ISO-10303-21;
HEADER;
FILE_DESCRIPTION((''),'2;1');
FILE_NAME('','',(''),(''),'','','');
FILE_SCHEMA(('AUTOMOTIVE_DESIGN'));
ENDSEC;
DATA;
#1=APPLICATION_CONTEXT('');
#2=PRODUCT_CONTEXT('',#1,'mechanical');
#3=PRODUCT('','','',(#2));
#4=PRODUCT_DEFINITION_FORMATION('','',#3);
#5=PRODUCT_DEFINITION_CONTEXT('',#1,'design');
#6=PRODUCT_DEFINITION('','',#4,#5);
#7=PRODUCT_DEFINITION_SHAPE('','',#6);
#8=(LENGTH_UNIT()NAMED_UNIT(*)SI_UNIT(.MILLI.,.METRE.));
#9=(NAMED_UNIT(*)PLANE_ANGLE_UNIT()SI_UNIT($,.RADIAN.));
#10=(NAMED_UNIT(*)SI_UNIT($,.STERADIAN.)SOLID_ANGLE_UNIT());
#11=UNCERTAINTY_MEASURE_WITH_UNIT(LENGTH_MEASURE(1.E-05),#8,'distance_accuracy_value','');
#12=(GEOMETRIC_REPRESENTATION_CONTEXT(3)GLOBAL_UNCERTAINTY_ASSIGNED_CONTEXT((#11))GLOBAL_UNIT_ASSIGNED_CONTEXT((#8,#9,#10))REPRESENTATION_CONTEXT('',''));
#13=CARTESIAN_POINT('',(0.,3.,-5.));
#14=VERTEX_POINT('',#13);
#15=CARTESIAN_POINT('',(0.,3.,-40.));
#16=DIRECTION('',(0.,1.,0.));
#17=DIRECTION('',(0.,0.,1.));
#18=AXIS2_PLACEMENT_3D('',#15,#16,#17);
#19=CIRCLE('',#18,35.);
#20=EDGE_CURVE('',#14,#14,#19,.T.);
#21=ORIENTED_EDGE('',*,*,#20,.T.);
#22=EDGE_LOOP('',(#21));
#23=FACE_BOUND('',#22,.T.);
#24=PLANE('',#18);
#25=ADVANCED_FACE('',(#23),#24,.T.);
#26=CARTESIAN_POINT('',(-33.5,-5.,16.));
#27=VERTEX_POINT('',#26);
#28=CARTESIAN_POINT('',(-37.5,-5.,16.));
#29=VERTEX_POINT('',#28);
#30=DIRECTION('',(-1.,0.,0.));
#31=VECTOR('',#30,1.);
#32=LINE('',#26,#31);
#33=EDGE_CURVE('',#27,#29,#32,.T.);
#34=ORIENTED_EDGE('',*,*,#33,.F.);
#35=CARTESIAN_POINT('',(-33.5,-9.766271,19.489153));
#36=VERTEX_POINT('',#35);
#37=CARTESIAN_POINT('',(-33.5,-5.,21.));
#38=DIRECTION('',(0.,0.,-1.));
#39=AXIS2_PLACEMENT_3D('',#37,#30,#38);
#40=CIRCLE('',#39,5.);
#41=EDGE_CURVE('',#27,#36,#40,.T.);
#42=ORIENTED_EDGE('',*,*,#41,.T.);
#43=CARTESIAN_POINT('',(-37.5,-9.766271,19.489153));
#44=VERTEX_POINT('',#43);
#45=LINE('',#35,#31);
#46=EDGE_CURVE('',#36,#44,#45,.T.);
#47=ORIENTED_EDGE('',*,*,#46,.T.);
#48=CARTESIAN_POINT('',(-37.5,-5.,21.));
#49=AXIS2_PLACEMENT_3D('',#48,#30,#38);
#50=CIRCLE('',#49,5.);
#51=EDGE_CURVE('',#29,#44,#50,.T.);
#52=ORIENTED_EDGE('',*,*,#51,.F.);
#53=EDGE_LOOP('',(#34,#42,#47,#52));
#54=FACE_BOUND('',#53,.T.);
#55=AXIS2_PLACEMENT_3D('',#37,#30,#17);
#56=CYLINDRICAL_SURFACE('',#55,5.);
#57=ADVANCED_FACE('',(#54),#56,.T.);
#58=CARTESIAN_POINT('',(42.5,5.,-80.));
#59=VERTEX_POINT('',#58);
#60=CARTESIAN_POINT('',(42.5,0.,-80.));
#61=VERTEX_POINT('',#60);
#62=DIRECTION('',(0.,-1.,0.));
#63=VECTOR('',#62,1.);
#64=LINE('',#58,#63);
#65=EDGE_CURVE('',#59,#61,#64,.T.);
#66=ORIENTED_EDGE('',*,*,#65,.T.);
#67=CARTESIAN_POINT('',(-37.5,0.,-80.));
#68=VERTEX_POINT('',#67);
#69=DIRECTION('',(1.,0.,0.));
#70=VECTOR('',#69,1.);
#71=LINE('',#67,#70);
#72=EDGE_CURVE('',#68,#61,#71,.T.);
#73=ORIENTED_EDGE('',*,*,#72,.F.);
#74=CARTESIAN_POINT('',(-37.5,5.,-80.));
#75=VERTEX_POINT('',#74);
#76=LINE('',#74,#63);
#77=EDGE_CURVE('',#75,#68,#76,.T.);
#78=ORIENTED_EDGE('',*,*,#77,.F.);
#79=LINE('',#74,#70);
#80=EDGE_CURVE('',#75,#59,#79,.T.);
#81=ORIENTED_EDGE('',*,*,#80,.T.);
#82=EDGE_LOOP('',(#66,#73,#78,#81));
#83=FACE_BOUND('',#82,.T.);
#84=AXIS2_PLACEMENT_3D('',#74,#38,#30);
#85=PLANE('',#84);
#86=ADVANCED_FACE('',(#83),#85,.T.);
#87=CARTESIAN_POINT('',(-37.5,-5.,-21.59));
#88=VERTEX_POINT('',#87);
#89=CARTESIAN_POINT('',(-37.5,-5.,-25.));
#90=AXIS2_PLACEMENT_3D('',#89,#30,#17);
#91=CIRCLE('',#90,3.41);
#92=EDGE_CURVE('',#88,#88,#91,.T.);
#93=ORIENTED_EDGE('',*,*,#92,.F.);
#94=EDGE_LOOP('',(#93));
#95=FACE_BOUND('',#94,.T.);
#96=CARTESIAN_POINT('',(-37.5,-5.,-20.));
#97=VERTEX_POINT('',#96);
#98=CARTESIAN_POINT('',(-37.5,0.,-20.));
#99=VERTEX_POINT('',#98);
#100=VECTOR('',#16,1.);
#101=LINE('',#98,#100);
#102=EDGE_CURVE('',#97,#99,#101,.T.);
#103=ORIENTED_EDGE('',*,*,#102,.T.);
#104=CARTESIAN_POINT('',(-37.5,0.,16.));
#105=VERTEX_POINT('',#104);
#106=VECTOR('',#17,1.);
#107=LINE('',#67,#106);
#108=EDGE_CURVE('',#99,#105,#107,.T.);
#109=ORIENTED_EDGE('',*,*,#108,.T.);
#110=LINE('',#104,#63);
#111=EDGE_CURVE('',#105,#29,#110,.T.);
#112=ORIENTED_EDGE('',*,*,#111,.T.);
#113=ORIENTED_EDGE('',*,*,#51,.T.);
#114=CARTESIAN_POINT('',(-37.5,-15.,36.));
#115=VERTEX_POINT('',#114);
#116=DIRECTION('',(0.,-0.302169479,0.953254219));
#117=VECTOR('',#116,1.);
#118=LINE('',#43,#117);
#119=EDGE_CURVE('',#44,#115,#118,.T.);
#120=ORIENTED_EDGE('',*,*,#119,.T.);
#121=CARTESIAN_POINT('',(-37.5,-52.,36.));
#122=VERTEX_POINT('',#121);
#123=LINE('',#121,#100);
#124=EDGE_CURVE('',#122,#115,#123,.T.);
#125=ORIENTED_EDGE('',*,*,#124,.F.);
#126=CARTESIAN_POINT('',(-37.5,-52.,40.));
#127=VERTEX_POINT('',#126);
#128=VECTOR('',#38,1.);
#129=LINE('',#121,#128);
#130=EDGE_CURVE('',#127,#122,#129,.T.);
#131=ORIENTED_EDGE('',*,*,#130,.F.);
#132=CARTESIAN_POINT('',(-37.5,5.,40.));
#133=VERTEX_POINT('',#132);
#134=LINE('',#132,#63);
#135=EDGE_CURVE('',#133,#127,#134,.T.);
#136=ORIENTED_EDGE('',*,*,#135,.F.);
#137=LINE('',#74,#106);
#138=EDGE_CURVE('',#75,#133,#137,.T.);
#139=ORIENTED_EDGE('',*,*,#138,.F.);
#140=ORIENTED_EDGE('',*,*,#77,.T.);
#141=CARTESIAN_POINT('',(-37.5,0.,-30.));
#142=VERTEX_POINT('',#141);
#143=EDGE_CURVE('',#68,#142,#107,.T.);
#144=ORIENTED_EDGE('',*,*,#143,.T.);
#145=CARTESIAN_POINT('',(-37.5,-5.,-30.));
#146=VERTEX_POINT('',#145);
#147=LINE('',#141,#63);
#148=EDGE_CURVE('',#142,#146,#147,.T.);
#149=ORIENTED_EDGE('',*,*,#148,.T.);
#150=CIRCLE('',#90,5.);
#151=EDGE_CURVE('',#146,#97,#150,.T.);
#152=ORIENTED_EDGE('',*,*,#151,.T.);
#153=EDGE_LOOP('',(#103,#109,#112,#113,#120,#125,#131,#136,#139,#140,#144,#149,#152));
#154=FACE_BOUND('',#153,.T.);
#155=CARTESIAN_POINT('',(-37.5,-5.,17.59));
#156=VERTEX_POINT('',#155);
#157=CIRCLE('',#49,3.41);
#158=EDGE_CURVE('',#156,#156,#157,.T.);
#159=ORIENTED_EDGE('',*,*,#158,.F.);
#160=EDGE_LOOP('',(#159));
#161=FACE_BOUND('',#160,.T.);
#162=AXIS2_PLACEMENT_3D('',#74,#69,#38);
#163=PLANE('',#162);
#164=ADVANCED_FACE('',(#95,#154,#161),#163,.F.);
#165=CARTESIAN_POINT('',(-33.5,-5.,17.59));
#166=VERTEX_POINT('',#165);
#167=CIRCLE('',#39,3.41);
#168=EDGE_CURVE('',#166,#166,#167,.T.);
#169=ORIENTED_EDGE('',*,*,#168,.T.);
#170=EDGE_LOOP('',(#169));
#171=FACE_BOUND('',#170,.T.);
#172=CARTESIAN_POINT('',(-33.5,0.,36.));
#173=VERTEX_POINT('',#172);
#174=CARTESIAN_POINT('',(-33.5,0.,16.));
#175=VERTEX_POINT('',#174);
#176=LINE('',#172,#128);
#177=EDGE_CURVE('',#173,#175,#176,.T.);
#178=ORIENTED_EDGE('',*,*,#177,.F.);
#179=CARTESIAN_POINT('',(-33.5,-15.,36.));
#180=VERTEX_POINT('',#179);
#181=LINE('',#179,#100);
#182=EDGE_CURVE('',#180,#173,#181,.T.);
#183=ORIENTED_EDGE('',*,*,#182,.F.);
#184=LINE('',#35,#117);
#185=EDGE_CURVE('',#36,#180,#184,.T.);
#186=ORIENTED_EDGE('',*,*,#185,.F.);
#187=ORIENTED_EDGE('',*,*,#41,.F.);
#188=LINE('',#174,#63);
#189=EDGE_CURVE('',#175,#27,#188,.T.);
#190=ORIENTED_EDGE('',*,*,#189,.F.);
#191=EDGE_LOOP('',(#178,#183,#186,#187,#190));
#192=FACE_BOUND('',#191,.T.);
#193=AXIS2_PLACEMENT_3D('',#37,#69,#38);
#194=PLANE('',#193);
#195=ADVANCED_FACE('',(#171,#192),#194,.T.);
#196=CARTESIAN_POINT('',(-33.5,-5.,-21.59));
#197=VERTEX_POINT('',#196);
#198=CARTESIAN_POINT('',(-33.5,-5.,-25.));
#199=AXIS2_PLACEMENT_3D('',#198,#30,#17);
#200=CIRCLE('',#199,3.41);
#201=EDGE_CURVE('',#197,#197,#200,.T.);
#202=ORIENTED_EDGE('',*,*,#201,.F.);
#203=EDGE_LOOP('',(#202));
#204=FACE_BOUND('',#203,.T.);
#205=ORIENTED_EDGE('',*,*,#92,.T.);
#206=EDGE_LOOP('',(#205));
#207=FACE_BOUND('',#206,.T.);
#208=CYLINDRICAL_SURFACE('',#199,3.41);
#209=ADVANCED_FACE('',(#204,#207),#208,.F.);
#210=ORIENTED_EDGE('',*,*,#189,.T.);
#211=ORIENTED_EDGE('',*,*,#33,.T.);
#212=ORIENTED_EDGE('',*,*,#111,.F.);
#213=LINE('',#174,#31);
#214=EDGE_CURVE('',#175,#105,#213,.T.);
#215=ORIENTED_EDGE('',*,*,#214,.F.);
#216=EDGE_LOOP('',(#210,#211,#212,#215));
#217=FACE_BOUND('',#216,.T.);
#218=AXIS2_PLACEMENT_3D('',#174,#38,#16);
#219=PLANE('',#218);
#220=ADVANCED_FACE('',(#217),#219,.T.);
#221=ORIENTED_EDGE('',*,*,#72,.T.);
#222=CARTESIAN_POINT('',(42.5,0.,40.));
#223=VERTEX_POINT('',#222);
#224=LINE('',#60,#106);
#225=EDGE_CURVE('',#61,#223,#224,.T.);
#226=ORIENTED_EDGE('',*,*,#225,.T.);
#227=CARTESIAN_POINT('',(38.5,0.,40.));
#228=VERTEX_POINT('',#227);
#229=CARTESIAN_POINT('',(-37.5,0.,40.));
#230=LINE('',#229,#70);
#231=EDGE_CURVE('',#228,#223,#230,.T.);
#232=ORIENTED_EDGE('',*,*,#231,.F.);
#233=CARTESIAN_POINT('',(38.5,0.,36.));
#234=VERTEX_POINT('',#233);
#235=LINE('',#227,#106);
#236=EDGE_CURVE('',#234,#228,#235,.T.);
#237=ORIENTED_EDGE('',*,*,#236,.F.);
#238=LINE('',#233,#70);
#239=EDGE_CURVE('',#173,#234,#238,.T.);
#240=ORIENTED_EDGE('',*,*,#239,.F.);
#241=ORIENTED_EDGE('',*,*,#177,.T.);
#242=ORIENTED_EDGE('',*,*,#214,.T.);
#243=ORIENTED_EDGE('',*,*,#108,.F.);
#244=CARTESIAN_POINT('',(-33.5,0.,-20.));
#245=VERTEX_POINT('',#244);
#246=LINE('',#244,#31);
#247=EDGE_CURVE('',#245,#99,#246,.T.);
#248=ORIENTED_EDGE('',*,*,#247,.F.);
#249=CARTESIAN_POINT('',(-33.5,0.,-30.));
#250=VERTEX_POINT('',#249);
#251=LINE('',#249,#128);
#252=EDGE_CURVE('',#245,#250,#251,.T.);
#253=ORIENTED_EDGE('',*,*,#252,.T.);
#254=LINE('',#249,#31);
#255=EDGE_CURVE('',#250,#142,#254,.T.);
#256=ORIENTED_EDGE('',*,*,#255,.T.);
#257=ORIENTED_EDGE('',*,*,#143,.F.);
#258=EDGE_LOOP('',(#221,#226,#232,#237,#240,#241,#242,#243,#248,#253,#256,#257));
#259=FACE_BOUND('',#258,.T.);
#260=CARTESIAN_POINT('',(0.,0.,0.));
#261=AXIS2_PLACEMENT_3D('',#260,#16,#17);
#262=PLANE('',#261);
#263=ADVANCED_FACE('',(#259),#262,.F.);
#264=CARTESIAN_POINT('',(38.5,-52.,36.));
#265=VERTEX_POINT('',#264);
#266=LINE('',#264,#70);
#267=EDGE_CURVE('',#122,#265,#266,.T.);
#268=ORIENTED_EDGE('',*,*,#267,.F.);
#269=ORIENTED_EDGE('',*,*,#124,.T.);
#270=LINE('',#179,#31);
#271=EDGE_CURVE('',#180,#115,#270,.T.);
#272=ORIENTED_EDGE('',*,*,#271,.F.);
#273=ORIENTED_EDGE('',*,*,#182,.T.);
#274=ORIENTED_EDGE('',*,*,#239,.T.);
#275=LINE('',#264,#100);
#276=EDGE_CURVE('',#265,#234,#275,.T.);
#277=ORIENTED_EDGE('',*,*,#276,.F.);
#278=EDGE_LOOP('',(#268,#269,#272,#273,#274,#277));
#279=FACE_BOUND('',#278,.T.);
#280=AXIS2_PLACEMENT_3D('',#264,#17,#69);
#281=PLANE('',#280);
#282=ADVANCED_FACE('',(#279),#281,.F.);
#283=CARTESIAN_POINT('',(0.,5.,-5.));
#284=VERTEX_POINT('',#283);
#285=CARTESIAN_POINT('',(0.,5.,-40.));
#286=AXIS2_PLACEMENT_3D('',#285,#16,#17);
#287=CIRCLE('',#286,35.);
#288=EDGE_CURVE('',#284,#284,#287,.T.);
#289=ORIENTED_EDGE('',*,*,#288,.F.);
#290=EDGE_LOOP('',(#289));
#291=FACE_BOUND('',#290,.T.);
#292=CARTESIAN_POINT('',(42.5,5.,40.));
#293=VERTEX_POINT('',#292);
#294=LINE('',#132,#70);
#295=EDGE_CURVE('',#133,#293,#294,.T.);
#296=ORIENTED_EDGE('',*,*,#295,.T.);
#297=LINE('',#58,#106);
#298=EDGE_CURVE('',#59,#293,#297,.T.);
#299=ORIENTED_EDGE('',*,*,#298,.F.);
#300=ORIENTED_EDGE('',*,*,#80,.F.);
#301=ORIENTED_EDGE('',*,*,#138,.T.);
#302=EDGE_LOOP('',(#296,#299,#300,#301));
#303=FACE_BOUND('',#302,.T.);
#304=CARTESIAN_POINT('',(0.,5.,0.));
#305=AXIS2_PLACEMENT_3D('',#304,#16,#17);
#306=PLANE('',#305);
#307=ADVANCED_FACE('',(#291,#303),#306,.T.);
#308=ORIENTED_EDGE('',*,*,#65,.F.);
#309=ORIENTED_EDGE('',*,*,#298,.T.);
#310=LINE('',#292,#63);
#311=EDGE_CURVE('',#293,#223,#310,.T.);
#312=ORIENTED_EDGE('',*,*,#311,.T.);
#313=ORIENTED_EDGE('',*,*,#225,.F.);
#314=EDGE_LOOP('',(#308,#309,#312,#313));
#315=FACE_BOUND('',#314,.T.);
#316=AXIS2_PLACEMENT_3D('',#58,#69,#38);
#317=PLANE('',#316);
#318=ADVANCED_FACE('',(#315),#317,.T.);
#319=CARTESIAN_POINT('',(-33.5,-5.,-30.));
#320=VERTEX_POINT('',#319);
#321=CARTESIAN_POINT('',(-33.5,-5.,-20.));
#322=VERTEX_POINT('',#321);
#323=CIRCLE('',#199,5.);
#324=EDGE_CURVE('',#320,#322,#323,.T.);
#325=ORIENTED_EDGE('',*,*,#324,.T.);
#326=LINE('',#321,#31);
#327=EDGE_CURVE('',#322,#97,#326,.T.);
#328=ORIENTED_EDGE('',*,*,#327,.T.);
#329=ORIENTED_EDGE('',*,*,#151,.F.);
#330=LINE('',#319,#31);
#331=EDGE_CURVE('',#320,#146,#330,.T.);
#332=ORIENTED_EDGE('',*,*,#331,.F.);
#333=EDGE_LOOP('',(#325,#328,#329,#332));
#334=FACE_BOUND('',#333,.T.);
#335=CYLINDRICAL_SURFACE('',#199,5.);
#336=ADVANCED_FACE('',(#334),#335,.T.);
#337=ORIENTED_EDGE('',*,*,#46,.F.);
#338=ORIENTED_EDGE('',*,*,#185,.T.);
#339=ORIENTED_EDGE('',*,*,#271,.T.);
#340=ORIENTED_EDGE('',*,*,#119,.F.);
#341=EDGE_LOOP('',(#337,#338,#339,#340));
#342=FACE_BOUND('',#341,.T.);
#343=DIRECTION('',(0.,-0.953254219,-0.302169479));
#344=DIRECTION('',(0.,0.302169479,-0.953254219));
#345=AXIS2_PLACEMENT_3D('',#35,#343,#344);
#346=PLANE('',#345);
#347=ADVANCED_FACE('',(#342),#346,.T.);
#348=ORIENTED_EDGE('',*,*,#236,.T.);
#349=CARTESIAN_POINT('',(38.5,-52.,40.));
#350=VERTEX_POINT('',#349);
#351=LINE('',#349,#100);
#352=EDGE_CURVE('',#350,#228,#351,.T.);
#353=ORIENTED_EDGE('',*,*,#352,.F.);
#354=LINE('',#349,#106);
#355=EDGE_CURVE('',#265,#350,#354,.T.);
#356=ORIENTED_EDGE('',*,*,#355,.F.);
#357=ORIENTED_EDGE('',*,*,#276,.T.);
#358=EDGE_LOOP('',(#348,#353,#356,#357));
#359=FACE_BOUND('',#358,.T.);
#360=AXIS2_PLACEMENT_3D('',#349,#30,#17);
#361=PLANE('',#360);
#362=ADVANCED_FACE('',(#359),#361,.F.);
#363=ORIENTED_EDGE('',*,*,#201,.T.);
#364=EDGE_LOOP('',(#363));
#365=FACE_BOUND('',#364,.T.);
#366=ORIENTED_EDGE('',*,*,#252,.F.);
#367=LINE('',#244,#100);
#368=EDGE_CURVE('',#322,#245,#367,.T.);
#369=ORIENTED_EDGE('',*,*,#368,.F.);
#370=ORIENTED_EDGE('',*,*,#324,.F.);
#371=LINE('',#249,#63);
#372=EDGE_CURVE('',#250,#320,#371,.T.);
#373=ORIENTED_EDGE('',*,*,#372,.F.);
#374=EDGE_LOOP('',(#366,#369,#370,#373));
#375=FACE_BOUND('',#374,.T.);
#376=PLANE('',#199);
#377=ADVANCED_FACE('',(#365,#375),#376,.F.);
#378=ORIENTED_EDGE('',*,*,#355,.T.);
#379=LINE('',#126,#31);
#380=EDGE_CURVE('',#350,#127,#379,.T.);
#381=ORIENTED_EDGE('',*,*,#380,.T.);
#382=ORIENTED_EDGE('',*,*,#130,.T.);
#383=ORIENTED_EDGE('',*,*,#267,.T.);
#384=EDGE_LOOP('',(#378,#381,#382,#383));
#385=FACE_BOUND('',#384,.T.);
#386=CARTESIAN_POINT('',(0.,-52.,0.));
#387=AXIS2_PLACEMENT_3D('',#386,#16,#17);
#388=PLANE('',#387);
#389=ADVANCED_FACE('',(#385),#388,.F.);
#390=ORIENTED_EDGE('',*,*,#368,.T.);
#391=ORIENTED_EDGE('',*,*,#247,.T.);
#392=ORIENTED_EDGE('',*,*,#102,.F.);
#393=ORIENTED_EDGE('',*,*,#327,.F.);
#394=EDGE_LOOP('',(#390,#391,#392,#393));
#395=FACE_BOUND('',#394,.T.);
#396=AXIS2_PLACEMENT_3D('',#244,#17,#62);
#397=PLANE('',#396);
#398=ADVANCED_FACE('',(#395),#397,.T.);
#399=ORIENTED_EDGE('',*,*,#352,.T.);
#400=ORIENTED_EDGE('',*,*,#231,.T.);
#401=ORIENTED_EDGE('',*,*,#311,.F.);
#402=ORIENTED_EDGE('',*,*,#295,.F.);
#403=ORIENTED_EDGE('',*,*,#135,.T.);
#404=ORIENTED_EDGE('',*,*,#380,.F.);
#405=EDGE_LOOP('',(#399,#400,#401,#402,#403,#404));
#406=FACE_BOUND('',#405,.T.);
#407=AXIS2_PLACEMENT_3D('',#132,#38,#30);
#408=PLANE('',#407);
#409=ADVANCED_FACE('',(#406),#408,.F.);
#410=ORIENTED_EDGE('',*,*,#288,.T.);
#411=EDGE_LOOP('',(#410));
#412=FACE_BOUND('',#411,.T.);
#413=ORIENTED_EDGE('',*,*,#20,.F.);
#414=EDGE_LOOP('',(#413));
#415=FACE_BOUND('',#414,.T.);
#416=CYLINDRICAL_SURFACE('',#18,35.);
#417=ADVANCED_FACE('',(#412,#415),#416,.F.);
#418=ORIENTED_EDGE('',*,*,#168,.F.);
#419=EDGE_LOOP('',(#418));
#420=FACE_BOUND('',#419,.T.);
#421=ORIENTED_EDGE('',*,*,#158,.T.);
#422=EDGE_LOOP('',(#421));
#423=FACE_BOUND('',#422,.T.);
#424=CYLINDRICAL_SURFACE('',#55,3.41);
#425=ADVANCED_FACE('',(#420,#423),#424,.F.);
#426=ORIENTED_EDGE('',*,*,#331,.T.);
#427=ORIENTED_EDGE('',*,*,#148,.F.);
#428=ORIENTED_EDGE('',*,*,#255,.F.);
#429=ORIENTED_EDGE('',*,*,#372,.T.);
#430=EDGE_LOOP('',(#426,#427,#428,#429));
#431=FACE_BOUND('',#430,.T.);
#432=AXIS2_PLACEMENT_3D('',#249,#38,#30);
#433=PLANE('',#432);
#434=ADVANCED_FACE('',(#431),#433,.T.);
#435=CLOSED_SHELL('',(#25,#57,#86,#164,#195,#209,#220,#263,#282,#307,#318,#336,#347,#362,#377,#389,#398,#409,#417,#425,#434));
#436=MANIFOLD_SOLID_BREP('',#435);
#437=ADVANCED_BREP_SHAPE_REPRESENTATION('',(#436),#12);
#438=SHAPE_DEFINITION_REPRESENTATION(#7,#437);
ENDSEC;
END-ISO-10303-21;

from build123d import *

# Parameters (mm, degrees)
SKETCH1_W           = 80
SKETCH1_H           = 120
BOSS_EXTRUDE1_DEPTH = 5
SKETCH2_W           = 76
SKETCH2_H           = 4
BOSS_EXTRUDE2_DEPTH = 52
SKETCH4_R           = 3.41
BOSS_EXTRUDE3_DEPTH = 4
SKETCH5_R           = 35
CUT_EXTRUDE1_DEPTH  = 2


with BuildPart() as part:
    # Sketch1 → Boss-Extrude1 (new body)
    with BuildSketch(Plane(origin=(0, 0, 0), x_dir=(1, 0, 0), z_dir=(0, 1, 0))):
        with Locations((2.5, 20)):
            Rectangle(SKETCH1_W, SKETCH1_H)
    extrude(amount=BOSS_EXTRUDE1_DEPTH)

    # Sketch2 → Boss-Extrude2 (add)
    with BuildSketch(Plane.XZ):
        with Locations((0.5, 38)):
            Rectangle(SKETCH2_W, SKETCH2_H)
    extrude(amount=BOSS_EXTRUDE2_DEPTH)

    # Sketch4 → Boss-Extrude3 (add)
    # profile 1 of 2: a face of its own
    with BuildSketch(Plane.ZY.offset(37.5)):
        with BuildLine():
            Line((-30, 0), (-20, 0))
            Line((-20, 0), (-20, -5))
            ThreePointArc((-20, -5), (-25, -10), (-30, -5))
            Line((-30, -5), (-30, 0))
        make_face()
        with Locations((-25, -5)):
            Circle(SKETCH4_R, mode=Mode.SUBTRACT)
    # profile 2 of 2: a face of its own
    with BuildSketch(Plane.ZY.offset(37.5)):
        with BuildLine():
            Line((16, 0), (16, -5))
            ThreePointArc((16, -5), (16.965508893, -7.953452473), (19.489152604, -9.766271094))
            Line((19.489152604, -9.766271094), (36, -15))
            Line((36, -15), (36, 0))
            Line((36, 0), (26, 0))
            Line((26, 0), (16, 0))
        make_face()
        with Locations(Location((21, -5, 0), (0, 0, 180))):
            Circle(SKETCH4_R, mode=Mode.SUBTRACT)
    extrude(amount=-BOSS_EXTRUDE3_DEPTH)

    # Sketch5 → Cut-Extrude1 (cut)
    with BuildSketch(Plane(origin=(0, 5, 0), x_dir=(1, 0, 0), z_dir=(0, 1, 0))):
        with Locations(Location((0, 40, 0), (0, 0, 270))):
            Circle(SKETCH5_R)
    extrude(amount=-CUT_EXTRUDE1_DEPTH, mode=Mode.SUBTRACT)


solid = part.part
